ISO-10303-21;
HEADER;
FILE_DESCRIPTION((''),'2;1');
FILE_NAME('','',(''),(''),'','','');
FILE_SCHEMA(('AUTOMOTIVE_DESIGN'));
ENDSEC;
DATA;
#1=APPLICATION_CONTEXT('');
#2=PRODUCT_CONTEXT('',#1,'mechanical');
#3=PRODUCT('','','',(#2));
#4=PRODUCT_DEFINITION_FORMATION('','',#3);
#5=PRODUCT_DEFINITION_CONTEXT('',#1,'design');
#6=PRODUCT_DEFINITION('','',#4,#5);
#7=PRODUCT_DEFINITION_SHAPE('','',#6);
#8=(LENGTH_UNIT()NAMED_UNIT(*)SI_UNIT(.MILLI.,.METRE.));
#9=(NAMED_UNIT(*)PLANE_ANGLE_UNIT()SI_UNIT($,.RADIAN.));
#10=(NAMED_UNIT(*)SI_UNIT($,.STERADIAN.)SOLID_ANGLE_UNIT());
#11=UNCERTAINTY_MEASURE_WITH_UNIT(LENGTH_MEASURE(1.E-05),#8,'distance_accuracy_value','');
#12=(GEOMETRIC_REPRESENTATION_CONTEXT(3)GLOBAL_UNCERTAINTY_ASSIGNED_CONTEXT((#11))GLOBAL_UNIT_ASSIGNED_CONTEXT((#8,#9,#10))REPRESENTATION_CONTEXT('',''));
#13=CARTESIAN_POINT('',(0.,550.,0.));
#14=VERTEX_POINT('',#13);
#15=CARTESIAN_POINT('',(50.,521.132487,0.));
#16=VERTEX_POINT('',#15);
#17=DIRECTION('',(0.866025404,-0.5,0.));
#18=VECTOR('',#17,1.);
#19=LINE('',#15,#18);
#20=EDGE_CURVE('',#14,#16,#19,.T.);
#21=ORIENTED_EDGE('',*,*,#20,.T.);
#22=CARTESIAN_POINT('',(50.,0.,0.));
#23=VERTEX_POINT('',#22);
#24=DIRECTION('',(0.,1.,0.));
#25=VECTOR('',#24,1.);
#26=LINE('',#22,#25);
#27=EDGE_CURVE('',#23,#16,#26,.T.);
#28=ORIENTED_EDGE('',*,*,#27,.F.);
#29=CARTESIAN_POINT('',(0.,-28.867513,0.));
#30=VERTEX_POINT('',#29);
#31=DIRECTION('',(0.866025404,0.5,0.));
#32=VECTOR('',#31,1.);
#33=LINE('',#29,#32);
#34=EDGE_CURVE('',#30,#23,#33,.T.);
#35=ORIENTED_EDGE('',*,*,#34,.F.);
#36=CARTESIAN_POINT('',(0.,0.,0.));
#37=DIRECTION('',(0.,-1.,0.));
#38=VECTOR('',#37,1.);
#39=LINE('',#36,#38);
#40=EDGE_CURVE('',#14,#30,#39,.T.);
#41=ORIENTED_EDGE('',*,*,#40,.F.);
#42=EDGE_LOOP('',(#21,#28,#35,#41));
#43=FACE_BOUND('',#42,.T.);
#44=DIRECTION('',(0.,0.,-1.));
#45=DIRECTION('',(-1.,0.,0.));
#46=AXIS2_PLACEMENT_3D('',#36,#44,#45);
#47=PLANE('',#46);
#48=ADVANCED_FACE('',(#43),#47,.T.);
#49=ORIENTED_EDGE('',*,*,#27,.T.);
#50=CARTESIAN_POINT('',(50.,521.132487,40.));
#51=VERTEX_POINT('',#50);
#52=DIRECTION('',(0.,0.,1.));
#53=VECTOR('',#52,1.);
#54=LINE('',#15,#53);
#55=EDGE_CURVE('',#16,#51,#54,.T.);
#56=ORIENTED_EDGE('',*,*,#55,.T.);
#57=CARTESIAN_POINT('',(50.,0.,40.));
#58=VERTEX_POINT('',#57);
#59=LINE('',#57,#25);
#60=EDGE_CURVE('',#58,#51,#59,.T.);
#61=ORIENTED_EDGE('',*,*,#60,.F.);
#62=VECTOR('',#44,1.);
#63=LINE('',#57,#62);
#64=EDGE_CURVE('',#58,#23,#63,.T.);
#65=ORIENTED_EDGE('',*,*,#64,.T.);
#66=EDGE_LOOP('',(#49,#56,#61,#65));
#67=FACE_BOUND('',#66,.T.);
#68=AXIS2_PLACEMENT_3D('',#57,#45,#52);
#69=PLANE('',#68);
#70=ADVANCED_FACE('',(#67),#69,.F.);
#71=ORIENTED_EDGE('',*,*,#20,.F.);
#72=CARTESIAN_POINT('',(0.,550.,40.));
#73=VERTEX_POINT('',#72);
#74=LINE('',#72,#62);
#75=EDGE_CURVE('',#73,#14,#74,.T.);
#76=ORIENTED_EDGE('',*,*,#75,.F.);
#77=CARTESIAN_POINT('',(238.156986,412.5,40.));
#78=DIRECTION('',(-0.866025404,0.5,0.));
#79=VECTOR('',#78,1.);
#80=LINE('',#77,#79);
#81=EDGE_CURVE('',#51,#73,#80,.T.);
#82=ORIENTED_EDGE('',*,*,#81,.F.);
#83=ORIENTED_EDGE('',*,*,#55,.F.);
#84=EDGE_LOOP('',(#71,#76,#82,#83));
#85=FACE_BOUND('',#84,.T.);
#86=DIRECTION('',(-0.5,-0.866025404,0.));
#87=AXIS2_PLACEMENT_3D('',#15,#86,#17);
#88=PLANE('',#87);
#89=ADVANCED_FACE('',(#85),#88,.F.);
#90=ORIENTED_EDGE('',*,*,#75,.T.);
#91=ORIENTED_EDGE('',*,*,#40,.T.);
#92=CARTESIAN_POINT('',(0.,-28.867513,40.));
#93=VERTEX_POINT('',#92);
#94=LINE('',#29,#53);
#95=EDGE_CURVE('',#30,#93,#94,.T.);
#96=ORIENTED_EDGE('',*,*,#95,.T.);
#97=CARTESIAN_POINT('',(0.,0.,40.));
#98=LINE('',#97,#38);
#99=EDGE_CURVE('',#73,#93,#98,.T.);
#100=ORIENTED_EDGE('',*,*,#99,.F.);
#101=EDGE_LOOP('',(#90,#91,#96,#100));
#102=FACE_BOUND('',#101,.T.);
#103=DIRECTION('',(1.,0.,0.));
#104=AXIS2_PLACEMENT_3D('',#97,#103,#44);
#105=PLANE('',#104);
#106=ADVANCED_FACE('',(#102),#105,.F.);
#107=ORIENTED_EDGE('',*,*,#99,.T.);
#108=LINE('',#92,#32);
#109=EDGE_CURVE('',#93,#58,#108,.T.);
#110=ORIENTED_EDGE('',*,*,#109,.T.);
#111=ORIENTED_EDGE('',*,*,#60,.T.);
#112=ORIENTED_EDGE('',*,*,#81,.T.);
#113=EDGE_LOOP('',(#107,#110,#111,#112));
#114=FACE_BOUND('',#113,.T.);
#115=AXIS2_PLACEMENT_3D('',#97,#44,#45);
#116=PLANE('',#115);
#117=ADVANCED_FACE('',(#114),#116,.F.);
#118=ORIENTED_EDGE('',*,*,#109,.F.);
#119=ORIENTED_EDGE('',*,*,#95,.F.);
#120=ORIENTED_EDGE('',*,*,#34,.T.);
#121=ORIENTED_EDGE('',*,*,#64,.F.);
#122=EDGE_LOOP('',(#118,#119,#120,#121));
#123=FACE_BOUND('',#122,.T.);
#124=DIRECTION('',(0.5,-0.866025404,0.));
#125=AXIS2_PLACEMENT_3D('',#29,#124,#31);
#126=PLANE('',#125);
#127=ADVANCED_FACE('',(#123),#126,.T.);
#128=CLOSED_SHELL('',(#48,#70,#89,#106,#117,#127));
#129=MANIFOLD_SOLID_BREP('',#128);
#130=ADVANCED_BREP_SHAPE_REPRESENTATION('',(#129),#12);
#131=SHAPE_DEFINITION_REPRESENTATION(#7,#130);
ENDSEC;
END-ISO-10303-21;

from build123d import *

# Parameters (mm, degrees)
ESQUISSE1_W                  = 50
ESQUISSE1_H                  = 550
BOSS_EXTRU_1_DEPTH           = 40
BOSS_EXTRU_2_DEPTH           = 40
ENL_V_MAT_EXTRU_1_DEPTH      = 554.714727996
ENL_V_MAT_EXTRU_1_DEPTH_BACK = 554.714727996


with BuildPart() as part:
    # Esquisse1 → Boss.-Extru.1 (new body)
    with BuildSketch(Plane.XY):
        with Locations((25, 275)):
            Rectangle(ESQUISSE1_W, ESQUISSE1_H)
    extrude(amount=BOSS_EXTRU_1_DEPTH)

    # Esquisse2 → Boss.-Extru.2 (add)
    with BuildSketch(Plane.XY.offset(40)):
        Polygon((50, 0), (0, 0), (0, -28.867513459), align=None)
    extrude(amount=-BOSS_EXTRU_2_DEPTH)

    # Esquisse3 → Enlèv. mat.-Extru.1 (cut, two sides: drawn at the far end of the back side and taken through both)
    with BuildSketch(Plane.XY.offset(40).offset(-ENL_V_MAT_EXTRU_1_DEPTH_BACK)):
        Polygon((50, 521.132486541), (0, 550), (50, 550), align=None)
    extrude(amount=ENL_V_MAT_EXTRU_1_DEPTH + ENL_V_MAT_EXTRU_1_DEPTH_BACK, mode=Mode.SUBTRACT)


solid = part.part
